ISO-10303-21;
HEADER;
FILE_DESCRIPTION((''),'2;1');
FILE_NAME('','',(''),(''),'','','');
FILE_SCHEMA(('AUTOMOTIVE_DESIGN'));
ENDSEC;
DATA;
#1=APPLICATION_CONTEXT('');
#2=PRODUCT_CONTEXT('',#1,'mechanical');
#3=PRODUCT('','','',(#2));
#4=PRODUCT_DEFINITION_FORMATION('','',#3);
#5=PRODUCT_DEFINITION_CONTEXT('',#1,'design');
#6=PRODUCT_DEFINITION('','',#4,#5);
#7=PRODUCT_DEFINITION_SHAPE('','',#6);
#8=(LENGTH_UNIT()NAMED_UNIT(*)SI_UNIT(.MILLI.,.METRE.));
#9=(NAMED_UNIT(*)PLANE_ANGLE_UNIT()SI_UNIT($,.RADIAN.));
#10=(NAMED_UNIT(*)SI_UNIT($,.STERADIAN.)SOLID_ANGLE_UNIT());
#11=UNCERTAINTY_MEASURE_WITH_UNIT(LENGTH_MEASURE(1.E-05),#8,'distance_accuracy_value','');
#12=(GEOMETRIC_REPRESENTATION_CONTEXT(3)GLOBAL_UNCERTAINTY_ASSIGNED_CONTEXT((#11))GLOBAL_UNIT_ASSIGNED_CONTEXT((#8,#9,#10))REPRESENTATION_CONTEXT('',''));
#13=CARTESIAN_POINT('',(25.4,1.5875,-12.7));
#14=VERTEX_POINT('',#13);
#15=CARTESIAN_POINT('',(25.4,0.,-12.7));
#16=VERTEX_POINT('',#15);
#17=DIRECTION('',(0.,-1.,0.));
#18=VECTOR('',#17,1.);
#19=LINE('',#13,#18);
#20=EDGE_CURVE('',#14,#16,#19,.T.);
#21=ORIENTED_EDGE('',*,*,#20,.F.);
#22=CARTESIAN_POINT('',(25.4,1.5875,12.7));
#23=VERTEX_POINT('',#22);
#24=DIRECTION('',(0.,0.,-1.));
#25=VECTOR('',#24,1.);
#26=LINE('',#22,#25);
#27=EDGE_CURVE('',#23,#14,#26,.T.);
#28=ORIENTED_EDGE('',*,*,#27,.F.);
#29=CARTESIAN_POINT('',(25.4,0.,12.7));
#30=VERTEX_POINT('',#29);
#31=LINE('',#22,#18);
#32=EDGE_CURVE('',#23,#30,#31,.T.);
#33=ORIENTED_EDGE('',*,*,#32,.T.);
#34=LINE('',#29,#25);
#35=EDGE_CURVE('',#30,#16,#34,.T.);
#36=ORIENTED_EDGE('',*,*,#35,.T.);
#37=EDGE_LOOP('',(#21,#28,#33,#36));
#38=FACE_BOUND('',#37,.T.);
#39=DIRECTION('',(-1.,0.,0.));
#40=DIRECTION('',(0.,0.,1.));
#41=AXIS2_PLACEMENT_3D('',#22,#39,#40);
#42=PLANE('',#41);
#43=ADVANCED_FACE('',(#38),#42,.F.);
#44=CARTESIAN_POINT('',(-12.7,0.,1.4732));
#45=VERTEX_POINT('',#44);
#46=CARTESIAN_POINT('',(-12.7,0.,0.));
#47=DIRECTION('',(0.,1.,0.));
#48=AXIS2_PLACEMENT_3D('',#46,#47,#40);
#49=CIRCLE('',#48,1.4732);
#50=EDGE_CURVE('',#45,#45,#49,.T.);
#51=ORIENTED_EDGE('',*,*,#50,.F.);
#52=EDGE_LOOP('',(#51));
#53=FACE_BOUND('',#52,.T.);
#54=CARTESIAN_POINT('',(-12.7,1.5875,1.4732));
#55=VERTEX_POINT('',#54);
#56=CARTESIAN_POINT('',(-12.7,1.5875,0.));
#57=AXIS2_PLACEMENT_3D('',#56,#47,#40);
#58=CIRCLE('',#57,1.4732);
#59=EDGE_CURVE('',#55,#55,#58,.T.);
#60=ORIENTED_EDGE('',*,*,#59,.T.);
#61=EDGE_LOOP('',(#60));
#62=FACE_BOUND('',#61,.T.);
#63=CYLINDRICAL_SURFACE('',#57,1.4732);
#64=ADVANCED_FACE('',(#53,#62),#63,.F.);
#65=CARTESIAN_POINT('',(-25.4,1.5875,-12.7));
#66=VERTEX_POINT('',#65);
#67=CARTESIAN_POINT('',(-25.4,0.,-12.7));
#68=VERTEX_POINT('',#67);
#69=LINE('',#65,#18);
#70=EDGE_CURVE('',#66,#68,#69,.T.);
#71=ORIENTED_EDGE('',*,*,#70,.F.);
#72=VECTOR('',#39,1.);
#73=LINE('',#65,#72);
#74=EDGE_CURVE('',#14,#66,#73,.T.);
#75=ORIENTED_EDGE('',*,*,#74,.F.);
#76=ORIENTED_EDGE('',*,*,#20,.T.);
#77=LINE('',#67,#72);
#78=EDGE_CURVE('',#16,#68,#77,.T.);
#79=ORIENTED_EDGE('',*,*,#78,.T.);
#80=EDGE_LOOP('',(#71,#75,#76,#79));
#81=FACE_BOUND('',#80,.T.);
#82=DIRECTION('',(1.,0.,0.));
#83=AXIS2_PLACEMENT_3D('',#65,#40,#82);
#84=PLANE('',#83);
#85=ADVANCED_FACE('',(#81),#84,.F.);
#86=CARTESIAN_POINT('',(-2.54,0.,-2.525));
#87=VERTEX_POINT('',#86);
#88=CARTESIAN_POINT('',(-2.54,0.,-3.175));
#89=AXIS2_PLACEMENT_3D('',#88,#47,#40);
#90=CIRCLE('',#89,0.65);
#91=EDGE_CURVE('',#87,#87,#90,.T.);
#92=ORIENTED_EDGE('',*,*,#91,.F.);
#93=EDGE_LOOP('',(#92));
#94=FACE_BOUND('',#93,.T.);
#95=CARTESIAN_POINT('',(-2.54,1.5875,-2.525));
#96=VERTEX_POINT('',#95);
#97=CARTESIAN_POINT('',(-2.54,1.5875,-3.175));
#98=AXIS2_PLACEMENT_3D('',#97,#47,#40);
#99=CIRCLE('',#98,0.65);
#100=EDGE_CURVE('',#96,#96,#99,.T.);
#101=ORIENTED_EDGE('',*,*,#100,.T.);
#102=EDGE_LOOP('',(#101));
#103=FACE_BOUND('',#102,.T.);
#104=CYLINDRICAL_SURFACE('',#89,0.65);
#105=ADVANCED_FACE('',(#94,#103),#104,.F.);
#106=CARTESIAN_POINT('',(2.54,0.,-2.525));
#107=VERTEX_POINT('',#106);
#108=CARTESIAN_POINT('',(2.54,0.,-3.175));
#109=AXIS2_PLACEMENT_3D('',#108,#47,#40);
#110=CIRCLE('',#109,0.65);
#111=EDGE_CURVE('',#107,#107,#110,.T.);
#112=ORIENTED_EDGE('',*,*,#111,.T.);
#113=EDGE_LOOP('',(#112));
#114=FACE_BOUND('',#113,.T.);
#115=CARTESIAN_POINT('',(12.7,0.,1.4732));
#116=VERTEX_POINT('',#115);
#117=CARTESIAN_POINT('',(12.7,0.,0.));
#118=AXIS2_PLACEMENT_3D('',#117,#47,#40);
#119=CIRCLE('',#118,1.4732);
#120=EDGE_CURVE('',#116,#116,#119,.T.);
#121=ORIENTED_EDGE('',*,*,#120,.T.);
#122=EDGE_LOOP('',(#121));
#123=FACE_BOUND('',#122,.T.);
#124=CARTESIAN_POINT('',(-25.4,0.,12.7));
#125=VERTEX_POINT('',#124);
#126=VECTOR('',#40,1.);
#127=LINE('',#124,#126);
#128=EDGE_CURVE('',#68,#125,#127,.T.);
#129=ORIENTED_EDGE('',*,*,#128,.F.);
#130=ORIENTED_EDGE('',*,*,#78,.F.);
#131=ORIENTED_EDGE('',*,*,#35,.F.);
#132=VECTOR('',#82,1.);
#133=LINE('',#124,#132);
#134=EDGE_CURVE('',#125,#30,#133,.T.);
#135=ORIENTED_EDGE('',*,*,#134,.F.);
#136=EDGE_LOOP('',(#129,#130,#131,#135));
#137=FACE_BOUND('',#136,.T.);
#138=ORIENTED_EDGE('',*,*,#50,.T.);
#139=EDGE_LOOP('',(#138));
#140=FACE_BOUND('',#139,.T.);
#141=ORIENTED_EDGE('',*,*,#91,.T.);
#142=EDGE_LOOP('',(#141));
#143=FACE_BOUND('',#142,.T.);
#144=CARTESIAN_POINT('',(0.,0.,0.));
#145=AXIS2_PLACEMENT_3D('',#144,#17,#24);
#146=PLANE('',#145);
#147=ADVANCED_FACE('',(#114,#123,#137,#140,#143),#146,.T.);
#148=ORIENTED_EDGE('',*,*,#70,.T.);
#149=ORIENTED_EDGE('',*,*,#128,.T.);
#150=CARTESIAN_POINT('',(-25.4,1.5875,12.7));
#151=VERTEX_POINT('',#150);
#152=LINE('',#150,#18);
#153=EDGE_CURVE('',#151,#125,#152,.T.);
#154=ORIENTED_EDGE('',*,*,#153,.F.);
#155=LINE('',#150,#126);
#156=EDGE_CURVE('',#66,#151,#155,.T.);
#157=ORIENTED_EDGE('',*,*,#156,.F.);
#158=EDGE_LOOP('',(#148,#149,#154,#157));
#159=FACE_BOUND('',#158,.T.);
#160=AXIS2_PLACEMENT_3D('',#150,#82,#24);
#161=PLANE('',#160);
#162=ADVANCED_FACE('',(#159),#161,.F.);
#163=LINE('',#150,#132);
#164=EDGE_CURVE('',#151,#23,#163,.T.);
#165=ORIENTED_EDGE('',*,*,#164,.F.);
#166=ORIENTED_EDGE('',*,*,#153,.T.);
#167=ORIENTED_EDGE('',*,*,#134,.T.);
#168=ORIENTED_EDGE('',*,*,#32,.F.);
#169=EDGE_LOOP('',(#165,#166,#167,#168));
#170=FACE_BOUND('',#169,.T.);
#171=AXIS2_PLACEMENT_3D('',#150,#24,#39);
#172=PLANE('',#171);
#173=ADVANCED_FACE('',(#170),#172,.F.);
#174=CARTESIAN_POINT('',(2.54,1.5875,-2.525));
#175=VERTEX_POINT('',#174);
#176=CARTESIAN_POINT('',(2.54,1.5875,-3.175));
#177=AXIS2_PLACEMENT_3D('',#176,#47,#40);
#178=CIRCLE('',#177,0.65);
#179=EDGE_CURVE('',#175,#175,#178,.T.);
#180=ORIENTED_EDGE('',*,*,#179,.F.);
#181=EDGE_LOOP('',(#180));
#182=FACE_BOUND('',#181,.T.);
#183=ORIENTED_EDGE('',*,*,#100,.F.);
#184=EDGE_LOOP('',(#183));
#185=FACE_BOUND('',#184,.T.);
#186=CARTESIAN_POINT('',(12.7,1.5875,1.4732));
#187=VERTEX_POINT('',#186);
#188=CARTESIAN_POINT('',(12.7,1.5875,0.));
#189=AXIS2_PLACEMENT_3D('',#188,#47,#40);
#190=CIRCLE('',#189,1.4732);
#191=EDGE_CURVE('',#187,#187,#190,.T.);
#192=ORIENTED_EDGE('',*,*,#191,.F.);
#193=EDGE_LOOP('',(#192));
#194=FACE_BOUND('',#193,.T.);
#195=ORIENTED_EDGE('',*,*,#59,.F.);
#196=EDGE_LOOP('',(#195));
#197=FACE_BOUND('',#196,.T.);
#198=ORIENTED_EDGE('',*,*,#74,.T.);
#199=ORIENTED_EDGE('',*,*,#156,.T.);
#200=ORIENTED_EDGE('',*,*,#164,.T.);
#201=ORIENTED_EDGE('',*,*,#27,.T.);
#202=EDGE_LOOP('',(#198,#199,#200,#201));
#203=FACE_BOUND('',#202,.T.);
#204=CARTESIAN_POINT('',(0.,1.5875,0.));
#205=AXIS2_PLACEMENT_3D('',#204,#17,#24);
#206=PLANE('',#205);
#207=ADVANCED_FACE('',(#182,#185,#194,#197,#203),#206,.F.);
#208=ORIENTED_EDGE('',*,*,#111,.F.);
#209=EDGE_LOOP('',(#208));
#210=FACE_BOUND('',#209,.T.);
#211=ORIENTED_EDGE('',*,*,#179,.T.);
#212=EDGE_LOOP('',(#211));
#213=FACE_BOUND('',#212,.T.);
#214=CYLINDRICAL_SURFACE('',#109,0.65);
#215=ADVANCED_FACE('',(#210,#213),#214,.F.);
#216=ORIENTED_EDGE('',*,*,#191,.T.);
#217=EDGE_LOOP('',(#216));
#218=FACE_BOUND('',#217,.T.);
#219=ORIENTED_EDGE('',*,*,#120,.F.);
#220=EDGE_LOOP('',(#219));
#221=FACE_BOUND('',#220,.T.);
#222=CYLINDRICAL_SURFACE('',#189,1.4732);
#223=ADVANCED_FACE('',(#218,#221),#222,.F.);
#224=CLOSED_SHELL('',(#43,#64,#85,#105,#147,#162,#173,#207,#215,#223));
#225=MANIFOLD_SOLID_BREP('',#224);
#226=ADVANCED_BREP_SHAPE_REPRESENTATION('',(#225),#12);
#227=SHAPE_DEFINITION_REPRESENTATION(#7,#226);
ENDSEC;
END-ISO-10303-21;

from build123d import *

# Parameters (mm, degrees)
SKETCH1_W             = 50.8
SKETCH1_H             = 25.4
BOSS_EXTRUDE1_DEPTH   = 1.5875
SKETCH2_R             = 0.65
CUT_EXTRUDE1_DEPTH    = 29.442400677
F_4_CLEARANCE_HOLE2_D = 2.9464


with BuildPart() as part:
    # Sketch1 → Boss-Extrude1 (new body)
    with BuildSketch(Plane(origin=(0, 0, 0), x_dir=(1, 0, 0), z_dir=(0, 1, 0))):
        Rectangle(SKETCH1_W, SKETCH1_H)
    extrude(amount=BOSS_EXTRUDE1_DEPTH)

    # Sketch2 → Cut-Extrude1 (cut, through all)
    with BuildSketch(Plane(origin=(0, 1.5875, 0), x_dir=(1, 0, 0), z_dir=(0, 1, 0))):
        with Locations(Location((-2.54, 3.175, 0), (0, 0, 270))):
            Circle(SKETCH2_R)
        with Locations(Location((2.54, 3.175, 0), (0, 0, 270))):
            Circle(SKETCH2_R)
    extrude(amount=-CUT_EXTRUDE1_DEPTH, mode=Mode.SUBTRACT)

    # #4 Clearance Hole2 (through all)
    with Locations(Plane(origin=(0, 1.5875, 0), x_dir=(1, 0, 0), z_dir=(0, 1, 0))):
        with Locations((-12.7, 0), (12.7, 0)):
            Hole(F_4_CLEARANCE_HOLE2_D / 2)


solid = part.part
